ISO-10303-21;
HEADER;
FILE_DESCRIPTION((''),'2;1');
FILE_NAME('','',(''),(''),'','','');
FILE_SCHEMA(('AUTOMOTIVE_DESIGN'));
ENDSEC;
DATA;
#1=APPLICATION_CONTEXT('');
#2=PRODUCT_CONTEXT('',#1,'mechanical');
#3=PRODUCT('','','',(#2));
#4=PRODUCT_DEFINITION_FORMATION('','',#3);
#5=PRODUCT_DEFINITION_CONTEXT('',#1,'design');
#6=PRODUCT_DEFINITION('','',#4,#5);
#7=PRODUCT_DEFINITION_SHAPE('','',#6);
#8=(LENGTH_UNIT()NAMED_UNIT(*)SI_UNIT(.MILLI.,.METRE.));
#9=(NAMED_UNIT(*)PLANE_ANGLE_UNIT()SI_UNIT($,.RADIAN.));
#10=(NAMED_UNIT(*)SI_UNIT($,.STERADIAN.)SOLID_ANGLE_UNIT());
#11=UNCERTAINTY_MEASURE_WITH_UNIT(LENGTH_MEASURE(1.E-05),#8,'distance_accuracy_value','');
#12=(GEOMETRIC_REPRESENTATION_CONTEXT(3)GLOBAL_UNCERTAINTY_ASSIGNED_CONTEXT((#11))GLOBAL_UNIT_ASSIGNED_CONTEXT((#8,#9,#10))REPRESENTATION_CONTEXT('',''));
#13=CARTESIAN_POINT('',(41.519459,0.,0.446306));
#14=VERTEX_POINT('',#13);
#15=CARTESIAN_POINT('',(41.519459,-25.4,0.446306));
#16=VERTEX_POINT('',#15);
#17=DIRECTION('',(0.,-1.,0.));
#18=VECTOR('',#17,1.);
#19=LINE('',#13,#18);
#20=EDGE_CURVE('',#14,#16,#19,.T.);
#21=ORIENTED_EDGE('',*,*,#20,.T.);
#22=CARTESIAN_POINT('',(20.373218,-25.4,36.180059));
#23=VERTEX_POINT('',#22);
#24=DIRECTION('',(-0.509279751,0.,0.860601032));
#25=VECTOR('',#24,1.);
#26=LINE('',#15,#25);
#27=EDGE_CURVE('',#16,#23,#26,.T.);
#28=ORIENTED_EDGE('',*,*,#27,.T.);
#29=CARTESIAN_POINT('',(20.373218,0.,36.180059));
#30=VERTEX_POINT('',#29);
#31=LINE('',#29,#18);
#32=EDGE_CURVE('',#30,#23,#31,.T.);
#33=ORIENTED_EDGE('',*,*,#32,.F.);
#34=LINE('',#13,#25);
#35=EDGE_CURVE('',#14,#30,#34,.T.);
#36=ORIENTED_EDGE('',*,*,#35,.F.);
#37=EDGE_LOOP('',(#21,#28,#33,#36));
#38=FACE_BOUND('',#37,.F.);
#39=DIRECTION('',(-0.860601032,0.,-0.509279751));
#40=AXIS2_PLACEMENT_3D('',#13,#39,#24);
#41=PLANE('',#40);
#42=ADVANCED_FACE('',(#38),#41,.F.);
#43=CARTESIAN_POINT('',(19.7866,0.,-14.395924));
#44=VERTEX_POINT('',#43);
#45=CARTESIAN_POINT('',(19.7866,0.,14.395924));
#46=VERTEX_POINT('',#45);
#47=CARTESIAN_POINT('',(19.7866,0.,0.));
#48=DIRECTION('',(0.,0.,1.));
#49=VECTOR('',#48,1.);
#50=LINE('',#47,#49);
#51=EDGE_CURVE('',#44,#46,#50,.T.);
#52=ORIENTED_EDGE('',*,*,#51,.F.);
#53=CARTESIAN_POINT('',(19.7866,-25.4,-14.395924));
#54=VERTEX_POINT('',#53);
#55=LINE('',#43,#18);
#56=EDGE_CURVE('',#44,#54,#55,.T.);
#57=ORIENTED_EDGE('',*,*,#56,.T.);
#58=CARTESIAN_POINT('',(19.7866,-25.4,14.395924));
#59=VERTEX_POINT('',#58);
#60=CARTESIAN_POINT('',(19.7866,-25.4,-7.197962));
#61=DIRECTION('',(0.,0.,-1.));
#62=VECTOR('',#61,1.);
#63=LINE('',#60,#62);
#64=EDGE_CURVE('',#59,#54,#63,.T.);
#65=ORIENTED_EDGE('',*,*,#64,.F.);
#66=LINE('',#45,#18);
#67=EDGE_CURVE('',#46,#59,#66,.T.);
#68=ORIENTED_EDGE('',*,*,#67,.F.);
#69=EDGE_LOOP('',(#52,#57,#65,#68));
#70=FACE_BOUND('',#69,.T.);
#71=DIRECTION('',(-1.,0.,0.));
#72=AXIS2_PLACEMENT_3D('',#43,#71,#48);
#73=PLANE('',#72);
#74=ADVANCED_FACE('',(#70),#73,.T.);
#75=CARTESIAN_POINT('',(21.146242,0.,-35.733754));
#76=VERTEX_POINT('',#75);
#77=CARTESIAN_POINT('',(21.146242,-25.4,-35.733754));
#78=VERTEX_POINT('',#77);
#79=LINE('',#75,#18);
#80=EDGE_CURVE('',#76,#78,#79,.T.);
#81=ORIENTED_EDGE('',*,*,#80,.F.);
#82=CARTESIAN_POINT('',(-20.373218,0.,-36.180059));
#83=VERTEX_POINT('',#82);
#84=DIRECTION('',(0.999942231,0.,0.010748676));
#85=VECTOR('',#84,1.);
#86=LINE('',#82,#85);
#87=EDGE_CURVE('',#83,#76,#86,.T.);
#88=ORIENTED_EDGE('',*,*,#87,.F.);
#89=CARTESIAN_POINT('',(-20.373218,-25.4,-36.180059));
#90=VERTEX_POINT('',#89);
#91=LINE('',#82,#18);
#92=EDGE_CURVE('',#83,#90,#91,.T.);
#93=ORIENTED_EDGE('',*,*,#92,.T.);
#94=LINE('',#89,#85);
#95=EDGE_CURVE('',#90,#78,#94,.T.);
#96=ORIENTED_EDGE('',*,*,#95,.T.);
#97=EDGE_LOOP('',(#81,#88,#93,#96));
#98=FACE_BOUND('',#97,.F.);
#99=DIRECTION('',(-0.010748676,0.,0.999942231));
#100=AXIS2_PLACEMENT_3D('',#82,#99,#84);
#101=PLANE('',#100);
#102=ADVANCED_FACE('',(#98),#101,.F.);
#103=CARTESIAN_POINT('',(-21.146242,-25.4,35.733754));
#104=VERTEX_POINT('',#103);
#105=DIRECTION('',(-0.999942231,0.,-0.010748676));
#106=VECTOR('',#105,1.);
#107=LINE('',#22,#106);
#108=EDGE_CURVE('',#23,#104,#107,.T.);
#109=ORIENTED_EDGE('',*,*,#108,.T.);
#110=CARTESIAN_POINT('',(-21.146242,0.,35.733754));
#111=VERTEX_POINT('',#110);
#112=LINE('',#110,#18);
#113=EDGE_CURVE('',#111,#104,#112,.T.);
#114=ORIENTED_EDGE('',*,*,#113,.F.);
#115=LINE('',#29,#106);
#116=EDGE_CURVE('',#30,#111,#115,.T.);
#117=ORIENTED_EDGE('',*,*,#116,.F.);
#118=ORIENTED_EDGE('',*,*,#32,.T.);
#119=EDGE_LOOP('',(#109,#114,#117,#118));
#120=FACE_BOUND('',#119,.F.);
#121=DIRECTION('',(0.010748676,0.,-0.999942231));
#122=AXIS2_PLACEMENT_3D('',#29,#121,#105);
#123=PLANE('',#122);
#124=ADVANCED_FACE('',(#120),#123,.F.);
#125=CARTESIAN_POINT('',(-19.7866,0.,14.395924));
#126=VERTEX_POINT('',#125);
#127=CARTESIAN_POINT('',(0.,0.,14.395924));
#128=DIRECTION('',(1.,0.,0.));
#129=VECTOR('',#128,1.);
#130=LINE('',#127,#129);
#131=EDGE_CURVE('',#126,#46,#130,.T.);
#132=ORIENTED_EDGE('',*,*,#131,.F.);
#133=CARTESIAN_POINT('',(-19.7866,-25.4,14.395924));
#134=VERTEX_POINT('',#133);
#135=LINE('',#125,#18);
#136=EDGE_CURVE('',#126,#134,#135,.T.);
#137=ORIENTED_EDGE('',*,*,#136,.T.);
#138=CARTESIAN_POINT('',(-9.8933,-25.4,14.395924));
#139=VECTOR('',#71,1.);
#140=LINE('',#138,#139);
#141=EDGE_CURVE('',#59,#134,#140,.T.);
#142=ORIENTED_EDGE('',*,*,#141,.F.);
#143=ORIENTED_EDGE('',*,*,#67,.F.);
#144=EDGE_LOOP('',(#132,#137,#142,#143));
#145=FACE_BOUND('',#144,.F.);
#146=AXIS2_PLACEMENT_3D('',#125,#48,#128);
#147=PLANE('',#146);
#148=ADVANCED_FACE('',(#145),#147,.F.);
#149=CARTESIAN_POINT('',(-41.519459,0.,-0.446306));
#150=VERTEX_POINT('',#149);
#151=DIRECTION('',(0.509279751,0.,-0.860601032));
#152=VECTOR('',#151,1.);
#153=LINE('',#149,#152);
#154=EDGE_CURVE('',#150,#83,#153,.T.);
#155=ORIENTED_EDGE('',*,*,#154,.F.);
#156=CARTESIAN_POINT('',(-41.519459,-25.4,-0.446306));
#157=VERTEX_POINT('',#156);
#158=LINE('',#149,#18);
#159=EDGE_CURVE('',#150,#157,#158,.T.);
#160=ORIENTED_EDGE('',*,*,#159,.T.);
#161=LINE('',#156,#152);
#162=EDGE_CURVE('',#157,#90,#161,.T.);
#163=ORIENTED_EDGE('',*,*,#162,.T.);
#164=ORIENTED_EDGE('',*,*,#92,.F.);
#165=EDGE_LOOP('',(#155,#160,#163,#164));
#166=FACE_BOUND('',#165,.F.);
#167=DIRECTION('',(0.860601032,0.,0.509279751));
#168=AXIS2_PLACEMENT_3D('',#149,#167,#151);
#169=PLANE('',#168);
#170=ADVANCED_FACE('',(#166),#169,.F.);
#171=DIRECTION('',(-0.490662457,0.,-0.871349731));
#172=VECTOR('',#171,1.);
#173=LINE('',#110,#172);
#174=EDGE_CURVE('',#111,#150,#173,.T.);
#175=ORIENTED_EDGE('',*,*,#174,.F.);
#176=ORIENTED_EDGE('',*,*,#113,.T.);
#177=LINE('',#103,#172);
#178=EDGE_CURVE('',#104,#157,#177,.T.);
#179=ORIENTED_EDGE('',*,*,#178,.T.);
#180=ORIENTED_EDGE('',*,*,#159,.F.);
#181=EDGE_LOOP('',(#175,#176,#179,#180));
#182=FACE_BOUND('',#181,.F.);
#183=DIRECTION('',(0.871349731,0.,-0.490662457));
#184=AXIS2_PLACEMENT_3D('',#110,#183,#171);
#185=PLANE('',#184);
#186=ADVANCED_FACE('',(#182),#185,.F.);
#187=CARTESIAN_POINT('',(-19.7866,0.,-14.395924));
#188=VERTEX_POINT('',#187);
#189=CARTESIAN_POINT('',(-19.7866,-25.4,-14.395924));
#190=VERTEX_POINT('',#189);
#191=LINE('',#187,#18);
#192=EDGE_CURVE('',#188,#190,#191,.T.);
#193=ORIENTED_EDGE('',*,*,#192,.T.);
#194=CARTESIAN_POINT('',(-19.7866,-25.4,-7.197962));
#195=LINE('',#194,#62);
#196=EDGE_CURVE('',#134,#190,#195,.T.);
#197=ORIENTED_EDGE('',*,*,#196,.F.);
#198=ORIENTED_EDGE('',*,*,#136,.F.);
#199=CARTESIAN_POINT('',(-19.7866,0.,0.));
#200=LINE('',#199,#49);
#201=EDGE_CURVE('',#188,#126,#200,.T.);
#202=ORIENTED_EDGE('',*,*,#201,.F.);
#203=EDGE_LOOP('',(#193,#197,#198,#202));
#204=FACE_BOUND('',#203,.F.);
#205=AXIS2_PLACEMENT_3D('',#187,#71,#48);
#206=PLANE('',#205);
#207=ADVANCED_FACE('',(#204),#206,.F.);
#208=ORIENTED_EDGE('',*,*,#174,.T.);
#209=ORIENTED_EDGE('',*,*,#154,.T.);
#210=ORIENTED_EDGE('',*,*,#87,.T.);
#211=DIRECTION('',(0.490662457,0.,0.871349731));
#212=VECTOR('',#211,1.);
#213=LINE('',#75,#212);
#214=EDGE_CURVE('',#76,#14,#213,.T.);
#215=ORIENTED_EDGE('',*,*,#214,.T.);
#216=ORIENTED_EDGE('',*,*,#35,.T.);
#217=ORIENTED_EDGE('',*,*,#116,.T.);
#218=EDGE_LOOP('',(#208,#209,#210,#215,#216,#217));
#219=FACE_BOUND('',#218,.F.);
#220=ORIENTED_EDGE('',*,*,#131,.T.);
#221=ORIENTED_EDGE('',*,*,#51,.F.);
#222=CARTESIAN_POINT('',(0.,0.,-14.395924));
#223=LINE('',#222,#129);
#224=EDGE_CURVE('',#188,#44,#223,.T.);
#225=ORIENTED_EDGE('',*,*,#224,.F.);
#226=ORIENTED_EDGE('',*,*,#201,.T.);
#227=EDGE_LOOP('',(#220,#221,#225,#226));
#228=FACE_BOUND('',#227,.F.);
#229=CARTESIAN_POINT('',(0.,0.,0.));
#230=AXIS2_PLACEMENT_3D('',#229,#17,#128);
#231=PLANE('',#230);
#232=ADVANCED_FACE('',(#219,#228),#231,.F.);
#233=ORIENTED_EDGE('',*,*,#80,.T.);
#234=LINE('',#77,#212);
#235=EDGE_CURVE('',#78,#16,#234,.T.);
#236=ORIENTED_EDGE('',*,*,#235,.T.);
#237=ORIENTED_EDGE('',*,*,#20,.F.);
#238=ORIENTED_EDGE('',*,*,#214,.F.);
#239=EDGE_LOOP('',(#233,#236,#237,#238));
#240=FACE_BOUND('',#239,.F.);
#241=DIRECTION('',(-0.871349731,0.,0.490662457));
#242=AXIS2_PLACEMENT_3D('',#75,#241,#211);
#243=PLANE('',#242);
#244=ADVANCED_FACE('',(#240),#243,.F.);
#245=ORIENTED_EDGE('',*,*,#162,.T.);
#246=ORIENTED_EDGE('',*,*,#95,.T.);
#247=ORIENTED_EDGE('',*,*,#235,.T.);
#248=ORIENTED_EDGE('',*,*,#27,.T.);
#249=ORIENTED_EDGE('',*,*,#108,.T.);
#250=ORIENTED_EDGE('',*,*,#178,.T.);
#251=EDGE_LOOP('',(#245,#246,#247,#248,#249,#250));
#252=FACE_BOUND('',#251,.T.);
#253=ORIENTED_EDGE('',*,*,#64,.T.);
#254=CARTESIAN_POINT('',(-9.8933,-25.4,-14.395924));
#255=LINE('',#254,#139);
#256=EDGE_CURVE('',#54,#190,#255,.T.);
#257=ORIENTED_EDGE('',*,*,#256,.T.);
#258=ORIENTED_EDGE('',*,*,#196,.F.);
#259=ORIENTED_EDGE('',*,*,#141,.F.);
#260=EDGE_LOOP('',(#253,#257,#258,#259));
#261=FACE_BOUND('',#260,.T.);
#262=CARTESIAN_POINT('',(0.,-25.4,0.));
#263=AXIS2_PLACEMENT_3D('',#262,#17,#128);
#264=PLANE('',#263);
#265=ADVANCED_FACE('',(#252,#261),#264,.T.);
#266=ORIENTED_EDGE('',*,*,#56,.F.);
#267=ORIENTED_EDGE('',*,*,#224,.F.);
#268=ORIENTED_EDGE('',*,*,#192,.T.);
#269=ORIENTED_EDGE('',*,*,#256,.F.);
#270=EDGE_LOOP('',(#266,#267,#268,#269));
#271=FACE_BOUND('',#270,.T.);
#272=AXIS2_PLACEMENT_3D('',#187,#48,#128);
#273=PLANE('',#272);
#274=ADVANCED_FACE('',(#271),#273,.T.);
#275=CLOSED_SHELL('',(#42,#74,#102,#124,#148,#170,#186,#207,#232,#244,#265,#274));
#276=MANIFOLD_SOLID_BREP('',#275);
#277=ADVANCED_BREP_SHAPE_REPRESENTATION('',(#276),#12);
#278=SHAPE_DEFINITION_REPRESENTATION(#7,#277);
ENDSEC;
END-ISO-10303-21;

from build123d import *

# Parameters (mm, degrees)
F1_DEPTH = 25.4
F2_W     = 39.5732
F2_H     = 28.791848
F3_DEPTH = 121.412


with BuildPart() as f1:
    # F0 (on Front) → F1 (new body)
    with BuildSketch(Plane.XZ):
        Polygon((41.519459, 0.446306), (20.373218, 36.180059), (-21.146242, 35.733754), (-41.519459, -0.446306), (-20.373218, -36.180059), (21.146242, -35.733754), align=None)
    extrude(amount=F1_DEPTH)

    # F2 (on Front) → F3 (cut)
    with BuildSketch(Plane.XZ):
        Rectangle(F2_W, F2_H)
    extrude(amount=F3_DEPTH, mode=Mode.SUBTRACT)


solid = f1.part
